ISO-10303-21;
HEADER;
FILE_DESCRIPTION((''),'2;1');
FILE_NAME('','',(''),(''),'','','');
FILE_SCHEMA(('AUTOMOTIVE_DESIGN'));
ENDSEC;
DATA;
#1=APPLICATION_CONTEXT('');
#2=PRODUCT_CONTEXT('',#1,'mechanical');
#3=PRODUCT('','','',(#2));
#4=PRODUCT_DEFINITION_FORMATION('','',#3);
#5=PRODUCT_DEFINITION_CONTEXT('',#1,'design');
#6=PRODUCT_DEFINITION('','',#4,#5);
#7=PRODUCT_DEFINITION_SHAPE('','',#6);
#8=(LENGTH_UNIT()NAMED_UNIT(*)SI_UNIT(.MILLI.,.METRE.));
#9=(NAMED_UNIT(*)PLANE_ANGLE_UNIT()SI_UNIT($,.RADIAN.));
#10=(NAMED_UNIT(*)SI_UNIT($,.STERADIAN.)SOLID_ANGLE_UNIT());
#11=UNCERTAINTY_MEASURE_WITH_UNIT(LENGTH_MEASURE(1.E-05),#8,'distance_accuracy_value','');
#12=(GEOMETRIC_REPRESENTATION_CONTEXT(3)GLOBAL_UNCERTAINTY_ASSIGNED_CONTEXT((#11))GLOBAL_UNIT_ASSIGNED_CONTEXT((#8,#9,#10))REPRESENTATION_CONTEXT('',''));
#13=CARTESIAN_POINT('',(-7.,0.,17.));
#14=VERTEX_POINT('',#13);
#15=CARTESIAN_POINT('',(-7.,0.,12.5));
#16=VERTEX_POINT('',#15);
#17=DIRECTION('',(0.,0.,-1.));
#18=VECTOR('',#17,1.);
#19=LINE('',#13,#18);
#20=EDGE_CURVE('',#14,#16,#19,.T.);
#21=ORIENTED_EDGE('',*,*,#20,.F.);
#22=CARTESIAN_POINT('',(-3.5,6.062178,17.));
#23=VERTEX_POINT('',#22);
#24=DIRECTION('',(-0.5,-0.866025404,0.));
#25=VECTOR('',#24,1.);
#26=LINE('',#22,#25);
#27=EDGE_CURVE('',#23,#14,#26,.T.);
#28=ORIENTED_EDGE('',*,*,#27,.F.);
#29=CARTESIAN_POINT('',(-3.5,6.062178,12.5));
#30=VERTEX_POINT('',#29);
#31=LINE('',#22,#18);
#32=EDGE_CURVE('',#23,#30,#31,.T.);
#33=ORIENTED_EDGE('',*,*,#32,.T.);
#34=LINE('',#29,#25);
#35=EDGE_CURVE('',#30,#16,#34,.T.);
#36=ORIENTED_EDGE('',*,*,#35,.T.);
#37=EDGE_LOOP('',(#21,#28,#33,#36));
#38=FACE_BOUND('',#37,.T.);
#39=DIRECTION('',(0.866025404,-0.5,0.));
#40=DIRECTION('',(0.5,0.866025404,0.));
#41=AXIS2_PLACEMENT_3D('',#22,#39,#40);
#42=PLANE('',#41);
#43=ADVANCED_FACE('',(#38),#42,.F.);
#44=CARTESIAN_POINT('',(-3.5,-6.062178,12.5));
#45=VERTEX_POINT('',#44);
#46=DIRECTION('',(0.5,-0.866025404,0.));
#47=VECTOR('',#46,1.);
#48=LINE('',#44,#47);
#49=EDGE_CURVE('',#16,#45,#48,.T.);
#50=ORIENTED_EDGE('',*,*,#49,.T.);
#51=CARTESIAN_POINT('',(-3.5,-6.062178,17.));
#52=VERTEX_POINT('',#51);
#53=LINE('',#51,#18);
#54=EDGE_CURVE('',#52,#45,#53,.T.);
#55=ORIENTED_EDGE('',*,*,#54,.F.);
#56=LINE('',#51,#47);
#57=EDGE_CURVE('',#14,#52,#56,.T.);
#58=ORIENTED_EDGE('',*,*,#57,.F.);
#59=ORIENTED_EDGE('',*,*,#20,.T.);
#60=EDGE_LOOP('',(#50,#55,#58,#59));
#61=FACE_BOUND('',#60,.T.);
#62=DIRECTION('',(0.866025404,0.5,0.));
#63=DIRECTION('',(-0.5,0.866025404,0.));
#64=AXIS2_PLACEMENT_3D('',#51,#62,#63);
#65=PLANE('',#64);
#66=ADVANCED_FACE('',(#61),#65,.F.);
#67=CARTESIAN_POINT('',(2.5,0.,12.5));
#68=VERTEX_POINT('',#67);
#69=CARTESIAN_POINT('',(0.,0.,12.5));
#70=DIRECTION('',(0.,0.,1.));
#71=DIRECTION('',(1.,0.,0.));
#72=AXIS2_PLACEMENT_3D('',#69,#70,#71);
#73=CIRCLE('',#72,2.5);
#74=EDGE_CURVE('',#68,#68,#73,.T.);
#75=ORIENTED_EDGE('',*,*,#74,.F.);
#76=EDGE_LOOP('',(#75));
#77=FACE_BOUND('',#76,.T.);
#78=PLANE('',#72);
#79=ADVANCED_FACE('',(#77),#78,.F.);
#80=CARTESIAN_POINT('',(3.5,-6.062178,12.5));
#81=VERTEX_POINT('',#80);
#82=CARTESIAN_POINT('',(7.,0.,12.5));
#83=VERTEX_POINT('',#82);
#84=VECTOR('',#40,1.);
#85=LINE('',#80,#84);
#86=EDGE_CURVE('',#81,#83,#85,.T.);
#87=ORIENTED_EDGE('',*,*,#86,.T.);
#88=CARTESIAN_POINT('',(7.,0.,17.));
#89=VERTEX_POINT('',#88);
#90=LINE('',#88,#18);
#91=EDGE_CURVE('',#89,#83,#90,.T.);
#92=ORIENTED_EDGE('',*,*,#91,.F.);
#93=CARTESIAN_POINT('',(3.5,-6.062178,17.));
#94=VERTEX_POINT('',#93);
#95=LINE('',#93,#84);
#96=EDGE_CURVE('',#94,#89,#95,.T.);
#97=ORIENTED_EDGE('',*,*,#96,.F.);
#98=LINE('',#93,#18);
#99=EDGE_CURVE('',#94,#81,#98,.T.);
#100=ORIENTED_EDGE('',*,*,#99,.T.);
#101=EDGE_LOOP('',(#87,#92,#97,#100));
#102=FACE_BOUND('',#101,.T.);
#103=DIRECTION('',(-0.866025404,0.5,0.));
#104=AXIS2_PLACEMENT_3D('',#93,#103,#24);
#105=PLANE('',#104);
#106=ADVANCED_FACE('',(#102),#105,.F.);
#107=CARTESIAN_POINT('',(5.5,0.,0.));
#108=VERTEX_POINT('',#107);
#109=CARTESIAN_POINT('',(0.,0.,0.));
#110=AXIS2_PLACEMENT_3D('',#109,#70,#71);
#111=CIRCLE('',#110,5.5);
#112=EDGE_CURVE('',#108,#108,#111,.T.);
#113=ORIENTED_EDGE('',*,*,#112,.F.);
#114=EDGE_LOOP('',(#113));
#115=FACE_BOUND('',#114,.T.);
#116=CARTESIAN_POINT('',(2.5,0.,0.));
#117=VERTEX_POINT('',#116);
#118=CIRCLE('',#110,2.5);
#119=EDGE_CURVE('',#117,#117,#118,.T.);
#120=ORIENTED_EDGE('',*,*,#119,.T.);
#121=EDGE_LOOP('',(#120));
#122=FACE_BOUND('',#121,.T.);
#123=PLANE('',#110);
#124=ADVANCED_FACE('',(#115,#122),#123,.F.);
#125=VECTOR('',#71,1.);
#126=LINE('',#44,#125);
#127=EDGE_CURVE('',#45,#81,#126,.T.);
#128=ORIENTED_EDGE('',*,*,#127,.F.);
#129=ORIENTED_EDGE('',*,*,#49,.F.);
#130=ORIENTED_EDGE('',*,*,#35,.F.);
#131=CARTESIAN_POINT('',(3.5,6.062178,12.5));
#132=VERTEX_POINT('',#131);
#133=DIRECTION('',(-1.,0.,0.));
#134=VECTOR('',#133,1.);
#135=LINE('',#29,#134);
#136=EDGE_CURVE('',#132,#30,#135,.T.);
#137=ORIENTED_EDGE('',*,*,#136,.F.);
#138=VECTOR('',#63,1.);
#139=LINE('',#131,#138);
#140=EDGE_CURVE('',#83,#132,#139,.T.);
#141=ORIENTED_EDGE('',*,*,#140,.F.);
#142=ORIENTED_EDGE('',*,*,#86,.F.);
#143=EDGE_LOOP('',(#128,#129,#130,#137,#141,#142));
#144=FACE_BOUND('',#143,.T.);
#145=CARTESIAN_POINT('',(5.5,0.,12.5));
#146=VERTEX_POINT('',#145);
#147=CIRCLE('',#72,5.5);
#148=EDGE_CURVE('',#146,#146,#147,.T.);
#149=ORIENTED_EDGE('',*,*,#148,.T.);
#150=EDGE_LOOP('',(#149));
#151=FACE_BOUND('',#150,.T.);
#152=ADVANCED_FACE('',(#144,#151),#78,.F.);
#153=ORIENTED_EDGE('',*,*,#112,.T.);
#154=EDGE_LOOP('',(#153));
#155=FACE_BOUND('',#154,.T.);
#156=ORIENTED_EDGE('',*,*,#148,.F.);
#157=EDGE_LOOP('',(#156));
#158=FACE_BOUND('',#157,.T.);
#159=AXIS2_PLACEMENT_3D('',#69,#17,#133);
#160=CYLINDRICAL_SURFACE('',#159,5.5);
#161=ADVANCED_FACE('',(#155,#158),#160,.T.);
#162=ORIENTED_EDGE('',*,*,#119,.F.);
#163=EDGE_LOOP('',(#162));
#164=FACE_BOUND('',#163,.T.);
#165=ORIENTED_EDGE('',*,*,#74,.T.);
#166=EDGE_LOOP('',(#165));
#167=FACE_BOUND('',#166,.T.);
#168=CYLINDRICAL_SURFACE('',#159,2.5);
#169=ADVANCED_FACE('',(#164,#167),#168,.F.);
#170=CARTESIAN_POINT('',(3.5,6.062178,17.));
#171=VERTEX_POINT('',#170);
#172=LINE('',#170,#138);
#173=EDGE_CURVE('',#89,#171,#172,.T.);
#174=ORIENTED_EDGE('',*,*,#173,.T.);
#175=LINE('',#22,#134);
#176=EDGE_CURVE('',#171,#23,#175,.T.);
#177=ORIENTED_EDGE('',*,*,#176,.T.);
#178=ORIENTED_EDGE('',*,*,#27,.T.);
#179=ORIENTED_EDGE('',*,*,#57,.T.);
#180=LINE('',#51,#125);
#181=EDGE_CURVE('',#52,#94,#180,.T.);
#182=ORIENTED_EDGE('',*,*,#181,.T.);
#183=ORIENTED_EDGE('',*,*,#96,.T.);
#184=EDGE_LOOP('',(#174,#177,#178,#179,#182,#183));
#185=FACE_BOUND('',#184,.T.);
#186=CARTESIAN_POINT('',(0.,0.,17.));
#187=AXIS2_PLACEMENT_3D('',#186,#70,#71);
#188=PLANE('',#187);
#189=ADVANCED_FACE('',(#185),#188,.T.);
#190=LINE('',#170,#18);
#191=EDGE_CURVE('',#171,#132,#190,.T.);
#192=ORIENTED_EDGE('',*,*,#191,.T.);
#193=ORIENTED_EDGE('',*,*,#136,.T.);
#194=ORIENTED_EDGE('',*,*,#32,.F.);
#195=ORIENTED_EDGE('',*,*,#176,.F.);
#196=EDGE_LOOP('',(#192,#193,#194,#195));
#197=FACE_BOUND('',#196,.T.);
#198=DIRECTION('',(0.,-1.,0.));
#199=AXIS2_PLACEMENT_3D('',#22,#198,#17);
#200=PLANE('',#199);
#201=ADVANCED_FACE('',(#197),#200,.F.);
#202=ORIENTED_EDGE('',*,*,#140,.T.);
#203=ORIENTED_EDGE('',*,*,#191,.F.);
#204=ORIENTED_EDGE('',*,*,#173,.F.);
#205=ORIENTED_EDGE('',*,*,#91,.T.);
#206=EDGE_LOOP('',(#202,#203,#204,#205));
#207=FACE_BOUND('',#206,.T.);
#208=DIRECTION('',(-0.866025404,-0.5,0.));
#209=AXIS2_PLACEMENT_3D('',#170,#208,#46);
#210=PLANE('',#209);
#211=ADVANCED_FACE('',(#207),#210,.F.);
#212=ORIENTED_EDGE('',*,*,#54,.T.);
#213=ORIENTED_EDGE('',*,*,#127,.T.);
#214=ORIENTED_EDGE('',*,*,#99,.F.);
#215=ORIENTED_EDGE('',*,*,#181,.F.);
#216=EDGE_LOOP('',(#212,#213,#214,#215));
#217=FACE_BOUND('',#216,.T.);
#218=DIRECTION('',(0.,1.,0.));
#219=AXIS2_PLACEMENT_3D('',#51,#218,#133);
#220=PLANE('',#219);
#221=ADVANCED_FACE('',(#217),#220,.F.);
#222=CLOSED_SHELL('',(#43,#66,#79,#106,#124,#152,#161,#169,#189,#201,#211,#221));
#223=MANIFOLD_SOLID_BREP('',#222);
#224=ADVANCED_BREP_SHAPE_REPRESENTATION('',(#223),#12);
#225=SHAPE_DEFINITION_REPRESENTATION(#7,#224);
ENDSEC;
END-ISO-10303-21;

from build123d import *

# Parameters (mm, degrees)
SKETCH_1_R      = 5.5
SKETCH_1_R_2    = 2.5
EXTRUDE_1_DEPTH = 12.5
EXTRUDE_2_DEPTH = 4.5


with BuildPart() as part:
    # 草图1 → 凸台-拉伸1 (new body)
    with BuildSketch(Plane.XY):
        Circle(SKETCH_1_R)
        Circle(SKETCH_1_R_2, mode=Mode.SUBTRACT)
    extrude(amount=EXTRUDE_1_DEPTH)

    # 草图2 → 凸台-拉伸2 (add)
    with BuildSketch(Plane.XY.offset(12.5)):
        Polygon((-3.5, 6.062177826), (3.5, 6.062177826), (7, 0), (3.5, -6.062177826), (-3.5, -6.062177826), (-7, 0), align=None)
    extrude(amount=EXTRUDE_2_DEPTH)


solid = part.part
